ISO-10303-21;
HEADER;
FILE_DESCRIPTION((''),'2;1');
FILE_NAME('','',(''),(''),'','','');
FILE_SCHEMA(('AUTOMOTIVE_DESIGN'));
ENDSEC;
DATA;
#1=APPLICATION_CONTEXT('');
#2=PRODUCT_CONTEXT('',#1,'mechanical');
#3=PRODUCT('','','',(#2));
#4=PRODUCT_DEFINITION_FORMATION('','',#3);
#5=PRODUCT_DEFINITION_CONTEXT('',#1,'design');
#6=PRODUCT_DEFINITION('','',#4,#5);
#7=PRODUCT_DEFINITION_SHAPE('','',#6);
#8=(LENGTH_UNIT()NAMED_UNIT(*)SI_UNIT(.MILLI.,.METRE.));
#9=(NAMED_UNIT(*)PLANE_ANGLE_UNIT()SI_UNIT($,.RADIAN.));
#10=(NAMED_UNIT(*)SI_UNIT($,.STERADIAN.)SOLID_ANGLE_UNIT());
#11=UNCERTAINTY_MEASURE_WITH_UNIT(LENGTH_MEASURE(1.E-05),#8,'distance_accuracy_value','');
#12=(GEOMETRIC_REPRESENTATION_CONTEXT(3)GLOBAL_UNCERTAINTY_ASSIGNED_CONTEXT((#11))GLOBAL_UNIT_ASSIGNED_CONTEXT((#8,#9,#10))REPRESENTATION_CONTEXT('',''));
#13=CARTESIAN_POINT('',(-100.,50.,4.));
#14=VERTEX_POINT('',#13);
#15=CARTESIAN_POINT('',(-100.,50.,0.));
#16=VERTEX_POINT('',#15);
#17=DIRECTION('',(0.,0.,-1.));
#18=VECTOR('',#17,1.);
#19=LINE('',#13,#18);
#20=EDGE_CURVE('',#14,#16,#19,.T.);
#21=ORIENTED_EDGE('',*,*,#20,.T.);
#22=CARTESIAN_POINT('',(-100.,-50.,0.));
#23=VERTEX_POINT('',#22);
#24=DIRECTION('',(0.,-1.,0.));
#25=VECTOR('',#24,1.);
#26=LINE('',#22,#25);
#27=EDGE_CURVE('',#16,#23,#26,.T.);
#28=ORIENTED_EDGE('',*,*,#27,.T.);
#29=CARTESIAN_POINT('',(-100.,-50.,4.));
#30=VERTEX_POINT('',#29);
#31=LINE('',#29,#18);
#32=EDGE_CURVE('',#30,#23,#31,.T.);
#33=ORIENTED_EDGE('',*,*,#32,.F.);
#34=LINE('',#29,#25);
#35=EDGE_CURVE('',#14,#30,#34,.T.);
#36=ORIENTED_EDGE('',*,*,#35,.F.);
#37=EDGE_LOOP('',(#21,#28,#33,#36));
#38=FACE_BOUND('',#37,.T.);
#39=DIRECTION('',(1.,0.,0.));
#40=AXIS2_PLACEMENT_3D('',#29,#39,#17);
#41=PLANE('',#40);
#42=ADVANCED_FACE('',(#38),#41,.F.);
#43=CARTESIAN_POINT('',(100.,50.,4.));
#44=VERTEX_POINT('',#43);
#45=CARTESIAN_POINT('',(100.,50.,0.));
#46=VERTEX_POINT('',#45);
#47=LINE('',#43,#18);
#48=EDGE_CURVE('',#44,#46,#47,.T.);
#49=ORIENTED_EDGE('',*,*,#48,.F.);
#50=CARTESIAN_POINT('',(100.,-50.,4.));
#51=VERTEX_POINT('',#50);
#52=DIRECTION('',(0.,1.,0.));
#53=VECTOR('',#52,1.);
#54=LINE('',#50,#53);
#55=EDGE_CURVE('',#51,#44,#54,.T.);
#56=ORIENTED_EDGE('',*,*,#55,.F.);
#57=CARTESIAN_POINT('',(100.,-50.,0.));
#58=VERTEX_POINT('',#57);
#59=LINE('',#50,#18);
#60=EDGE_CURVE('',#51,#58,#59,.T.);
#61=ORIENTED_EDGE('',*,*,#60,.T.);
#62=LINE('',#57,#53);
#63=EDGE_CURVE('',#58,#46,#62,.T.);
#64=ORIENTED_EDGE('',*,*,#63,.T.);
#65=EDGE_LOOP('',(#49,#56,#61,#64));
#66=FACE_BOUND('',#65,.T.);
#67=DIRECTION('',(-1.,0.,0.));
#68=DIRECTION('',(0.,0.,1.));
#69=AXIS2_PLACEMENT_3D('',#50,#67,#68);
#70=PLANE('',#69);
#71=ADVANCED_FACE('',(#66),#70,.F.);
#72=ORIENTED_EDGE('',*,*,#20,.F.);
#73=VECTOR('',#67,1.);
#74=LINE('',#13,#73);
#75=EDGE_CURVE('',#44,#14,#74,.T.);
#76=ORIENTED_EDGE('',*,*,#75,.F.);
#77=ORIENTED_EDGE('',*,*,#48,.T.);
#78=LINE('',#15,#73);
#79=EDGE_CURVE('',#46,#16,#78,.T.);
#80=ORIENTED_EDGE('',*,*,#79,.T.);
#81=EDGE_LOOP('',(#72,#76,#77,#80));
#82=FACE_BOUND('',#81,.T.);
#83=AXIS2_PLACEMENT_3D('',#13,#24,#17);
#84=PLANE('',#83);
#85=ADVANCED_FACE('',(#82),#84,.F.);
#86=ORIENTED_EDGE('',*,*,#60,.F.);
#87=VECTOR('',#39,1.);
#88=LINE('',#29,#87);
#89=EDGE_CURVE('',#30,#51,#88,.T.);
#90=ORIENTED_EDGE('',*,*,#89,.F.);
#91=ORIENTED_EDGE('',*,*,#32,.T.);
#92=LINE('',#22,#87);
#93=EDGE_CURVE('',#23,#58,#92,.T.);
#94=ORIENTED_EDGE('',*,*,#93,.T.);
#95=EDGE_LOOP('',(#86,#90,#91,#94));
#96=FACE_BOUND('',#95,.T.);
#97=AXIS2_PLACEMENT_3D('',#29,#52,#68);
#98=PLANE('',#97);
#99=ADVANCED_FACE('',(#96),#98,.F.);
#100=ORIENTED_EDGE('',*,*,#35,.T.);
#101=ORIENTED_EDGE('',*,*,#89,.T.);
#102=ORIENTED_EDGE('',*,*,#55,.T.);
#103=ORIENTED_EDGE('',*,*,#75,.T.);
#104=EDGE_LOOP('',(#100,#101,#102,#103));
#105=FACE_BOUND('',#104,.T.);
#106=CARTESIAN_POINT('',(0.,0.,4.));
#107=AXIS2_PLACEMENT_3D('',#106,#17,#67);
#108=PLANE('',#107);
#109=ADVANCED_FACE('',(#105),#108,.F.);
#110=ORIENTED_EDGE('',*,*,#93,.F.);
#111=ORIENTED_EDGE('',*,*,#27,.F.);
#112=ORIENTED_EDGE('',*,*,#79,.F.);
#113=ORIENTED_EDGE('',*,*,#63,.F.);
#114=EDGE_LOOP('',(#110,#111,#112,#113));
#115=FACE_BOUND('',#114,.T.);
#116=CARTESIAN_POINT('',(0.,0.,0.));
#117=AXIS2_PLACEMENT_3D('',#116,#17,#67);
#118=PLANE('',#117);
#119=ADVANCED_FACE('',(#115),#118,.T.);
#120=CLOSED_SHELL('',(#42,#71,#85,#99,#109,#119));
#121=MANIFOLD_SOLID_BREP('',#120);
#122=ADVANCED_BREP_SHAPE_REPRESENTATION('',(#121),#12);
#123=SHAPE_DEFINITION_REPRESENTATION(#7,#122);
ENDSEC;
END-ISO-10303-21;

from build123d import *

# Parameters (mm, degrees)
SKETCH_1_W      = 200
SKETCH_1_H      = 100
EXTRUDE_1_DEPTH = 4


with BuildPart() as part:
    # Эскиз1 → Бобышка-Вытянуть1 (new body)
    with BuildSketch(Plane.XY):
        Rectangle(SKETCH_1_W, SKETCH_1_H)
    extrude(amount=EXTRUDE_1_DEPTH)


solid = part.part
